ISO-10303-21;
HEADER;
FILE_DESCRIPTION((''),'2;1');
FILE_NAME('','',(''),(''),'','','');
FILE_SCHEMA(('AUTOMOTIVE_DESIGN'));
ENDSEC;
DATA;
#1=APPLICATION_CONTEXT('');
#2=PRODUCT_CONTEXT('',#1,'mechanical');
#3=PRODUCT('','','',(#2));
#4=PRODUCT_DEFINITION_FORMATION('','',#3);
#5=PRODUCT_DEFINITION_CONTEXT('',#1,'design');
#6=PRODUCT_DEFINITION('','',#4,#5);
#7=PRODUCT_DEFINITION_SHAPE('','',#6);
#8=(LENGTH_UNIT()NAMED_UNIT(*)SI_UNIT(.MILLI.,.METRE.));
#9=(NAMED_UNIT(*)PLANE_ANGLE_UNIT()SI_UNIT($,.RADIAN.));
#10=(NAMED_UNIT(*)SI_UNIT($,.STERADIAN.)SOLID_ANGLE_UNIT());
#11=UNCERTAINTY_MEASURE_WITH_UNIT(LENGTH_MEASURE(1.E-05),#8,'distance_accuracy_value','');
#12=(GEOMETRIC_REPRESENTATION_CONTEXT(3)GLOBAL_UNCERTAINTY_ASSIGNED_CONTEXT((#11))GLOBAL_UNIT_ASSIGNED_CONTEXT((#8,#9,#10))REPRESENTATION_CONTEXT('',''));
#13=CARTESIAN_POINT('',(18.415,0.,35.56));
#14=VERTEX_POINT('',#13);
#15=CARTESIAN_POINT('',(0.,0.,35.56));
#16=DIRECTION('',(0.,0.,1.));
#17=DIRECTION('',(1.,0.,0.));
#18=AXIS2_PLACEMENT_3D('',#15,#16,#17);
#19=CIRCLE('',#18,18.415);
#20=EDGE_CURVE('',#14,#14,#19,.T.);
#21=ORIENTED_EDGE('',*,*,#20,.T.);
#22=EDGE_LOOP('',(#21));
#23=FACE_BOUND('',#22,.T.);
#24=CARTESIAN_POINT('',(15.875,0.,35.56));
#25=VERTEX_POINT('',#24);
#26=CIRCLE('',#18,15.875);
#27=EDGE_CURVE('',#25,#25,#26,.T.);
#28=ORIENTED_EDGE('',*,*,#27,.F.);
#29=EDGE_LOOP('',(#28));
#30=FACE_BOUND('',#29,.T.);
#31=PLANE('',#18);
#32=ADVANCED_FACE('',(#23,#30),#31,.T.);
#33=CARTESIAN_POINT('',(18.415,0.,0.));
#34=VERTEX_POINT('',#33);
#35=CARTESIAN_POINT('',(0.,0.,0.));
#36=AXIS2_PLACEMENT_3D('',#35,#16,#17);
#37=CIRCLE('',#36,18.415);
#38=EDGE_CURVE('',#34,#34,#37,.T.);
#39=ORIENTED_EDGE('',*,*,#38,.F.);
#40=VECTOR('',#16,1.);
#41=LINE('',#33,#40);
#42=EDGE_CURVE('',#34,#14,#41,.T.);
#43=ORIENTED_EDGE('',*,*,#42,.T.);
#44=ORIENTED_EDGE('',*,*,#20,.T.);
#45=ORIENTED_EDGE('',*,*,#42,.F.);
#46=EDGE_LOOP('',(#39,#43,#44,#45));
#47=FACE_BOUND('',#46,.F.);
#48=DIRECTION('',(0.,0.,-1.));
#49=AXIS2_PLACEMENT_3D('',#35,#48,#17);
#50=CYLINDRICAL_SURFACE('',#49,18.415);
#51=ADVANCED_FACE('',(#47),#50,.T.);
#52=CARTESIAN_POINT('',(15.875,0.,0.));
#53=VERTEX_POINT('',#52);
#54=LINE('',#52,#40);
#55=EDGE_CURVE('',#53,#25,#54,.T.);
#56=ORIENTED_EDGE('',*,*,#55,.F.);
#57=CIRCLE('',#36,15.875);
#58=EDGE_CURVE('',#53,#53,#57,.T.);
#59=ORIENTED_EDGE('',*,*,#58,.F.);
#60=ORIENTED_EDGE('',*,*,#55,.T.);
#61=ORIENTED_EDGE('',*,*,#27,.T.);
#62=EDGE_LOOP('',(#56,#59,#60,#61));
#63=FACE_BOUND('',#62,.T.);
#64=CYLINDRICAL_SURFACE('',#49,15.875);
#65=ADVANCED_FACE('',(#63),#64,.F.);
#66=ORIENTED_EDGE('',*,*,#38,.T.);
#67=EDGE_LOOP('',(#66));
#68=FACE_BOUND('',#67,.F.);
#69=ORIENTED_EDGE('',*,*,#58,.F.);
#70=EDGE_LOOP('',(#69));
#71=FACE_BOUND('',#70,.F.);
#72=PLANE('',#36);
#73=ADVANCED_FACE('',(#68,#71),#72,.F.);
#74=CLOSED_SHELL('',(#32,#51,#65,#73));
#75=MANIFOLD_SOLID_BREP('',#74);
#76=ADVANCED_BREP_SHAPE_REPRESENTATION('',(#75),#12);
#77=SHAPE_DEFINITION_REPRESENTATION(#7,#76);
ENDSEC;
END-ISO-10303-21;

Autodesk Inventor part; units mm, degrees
ref_plane "YZ Plane" through (0, 0, 0) normal (1, 0, 0) x (0, 1, 0)
ref_plane "XZ Plane" through (0, 0, 0) normal (0, 1, 0) x (-1, 0, 0)
ref_plane "XY Plane" through (0, 0, 0) normal (0, 0, 1) x (1, 0, 0)
sketch "Sketch1" plane through (0, 0, 0) normal (0, 0, 1) x (1, 0, 0)
  circle A0 centre (0, 0) radius 18.415
  circle A1 centre (0, 0) radius 15.875
  dimension "d0" = 36.83
  dimension "d1" = 31.75
extrude "Extrusion1" add sketch "Sketch1" along normal blind 35.56
properties part number "Gearbox Ring Gear 64 to 1"
